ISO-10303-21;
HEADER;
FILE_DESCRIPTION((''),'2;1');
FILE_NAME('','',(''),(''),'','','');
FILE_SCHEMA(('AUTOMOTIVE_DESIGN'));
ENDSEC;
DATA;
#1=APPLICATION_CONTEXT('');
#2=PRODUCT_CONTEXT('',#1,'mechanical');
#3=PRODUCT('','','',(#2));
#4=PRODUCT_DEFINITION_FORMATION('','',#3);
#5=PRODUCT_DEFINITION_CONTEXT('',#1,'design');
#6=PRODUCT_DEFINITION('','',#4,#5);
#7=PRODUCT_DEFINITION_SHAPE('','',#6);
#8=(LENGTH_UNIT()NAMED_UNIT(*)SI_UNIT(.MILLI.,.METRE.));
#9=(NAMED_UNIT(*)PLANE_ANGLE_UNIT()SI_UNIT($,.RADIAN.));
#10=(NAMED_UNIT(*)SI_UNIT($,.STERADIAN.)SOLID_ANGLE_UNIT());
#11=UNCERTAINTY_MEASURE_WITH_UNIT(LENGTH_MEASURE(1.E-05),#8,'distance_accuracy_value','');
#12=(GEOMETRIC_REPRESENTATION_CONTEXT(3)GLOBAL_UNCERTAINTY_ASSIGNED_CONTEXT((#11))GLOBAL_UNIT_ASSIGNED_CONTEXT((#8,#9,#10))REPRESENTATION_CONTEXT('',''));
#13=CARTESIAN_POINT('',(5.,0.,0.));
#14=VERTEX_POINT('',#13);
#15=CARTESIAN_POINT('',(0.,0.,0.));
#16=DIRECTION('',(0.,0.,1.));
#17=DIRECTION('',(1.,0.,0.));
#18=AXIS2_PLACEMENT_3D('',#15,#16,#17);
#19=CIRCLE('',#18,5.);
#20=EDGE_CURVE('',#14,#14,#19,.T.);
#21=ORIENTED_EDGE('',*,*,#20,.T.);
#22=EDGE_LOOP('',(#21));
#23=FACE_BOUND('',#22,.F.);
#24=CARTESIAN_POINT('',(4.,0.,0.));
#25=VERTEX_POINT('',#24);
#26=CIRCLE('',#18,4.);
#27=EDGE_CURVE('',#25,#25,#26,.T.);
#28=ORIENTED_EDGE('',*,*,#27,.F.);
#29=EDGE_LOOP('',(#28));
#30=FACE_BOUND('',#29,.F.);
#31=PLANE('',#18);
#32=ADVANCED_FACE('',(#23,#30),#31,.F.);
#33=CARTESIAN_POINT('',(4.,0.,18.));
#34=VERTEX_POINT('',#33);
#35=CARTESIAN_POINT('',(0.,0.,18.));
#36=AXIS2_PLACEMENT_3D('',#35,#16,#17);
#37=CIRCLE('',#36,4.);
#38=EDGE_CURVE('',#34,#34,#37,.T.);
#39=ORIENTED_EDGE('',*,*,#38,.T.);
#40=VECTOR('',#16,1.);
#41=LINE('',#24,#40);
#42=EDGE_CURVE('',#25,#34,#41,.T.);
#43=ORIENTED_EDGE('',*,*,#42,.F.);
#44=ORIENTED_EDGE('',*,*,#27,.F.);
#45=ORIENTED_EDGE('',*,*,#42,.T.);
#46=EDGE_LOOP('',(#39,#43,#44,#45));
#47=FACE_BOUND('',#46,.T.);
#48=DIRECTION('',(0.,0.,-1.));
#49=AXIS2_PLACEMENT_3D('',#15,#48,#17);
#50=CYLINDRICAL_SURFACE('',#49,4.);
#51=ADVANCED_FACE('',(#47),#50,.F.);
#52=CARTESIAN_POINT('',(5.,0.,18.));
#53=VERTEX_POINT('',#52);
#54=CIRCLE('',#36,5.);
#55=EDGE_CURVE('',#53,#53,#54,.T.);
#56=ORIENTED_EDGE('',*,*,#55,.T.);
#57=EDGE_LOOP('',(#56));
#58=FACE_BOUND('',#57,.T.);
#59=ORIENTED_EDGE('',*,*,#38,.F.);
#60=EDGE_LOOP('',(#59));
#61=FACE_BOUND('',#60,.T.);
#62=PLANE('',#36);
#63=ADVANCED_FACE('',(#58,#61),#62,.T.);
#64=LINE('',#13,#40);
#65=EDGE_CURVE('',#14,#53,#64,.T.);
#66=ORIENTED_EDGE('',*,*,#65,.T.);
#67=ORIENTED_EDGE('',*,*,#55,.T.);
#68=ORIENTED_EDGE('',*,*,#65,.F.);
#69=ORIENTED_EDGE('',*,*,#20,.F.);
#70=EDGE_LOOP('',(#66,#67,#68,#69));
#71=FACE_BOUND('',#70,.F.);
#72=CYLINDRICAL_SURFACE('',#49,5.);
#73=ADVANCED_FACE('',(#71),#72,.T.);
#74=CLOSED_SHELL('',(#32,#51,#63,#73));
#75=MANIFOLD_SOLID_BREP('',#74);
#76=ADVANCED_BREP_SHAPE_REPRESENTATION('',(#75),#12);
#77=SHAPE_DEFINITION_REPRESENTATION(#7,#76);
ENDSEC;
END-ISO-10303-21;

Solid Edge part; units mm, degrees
sketch "Sketch1" plane through (0, 0, 0) normal (0, 0, 1) x (1, 0, 0)
  circle A0 centre (0, 0) radius 4
  circle A1 centre (0, 0) radius 5
extrude "Protrusion1" add sketch "Sketch1" along normal blind 18
